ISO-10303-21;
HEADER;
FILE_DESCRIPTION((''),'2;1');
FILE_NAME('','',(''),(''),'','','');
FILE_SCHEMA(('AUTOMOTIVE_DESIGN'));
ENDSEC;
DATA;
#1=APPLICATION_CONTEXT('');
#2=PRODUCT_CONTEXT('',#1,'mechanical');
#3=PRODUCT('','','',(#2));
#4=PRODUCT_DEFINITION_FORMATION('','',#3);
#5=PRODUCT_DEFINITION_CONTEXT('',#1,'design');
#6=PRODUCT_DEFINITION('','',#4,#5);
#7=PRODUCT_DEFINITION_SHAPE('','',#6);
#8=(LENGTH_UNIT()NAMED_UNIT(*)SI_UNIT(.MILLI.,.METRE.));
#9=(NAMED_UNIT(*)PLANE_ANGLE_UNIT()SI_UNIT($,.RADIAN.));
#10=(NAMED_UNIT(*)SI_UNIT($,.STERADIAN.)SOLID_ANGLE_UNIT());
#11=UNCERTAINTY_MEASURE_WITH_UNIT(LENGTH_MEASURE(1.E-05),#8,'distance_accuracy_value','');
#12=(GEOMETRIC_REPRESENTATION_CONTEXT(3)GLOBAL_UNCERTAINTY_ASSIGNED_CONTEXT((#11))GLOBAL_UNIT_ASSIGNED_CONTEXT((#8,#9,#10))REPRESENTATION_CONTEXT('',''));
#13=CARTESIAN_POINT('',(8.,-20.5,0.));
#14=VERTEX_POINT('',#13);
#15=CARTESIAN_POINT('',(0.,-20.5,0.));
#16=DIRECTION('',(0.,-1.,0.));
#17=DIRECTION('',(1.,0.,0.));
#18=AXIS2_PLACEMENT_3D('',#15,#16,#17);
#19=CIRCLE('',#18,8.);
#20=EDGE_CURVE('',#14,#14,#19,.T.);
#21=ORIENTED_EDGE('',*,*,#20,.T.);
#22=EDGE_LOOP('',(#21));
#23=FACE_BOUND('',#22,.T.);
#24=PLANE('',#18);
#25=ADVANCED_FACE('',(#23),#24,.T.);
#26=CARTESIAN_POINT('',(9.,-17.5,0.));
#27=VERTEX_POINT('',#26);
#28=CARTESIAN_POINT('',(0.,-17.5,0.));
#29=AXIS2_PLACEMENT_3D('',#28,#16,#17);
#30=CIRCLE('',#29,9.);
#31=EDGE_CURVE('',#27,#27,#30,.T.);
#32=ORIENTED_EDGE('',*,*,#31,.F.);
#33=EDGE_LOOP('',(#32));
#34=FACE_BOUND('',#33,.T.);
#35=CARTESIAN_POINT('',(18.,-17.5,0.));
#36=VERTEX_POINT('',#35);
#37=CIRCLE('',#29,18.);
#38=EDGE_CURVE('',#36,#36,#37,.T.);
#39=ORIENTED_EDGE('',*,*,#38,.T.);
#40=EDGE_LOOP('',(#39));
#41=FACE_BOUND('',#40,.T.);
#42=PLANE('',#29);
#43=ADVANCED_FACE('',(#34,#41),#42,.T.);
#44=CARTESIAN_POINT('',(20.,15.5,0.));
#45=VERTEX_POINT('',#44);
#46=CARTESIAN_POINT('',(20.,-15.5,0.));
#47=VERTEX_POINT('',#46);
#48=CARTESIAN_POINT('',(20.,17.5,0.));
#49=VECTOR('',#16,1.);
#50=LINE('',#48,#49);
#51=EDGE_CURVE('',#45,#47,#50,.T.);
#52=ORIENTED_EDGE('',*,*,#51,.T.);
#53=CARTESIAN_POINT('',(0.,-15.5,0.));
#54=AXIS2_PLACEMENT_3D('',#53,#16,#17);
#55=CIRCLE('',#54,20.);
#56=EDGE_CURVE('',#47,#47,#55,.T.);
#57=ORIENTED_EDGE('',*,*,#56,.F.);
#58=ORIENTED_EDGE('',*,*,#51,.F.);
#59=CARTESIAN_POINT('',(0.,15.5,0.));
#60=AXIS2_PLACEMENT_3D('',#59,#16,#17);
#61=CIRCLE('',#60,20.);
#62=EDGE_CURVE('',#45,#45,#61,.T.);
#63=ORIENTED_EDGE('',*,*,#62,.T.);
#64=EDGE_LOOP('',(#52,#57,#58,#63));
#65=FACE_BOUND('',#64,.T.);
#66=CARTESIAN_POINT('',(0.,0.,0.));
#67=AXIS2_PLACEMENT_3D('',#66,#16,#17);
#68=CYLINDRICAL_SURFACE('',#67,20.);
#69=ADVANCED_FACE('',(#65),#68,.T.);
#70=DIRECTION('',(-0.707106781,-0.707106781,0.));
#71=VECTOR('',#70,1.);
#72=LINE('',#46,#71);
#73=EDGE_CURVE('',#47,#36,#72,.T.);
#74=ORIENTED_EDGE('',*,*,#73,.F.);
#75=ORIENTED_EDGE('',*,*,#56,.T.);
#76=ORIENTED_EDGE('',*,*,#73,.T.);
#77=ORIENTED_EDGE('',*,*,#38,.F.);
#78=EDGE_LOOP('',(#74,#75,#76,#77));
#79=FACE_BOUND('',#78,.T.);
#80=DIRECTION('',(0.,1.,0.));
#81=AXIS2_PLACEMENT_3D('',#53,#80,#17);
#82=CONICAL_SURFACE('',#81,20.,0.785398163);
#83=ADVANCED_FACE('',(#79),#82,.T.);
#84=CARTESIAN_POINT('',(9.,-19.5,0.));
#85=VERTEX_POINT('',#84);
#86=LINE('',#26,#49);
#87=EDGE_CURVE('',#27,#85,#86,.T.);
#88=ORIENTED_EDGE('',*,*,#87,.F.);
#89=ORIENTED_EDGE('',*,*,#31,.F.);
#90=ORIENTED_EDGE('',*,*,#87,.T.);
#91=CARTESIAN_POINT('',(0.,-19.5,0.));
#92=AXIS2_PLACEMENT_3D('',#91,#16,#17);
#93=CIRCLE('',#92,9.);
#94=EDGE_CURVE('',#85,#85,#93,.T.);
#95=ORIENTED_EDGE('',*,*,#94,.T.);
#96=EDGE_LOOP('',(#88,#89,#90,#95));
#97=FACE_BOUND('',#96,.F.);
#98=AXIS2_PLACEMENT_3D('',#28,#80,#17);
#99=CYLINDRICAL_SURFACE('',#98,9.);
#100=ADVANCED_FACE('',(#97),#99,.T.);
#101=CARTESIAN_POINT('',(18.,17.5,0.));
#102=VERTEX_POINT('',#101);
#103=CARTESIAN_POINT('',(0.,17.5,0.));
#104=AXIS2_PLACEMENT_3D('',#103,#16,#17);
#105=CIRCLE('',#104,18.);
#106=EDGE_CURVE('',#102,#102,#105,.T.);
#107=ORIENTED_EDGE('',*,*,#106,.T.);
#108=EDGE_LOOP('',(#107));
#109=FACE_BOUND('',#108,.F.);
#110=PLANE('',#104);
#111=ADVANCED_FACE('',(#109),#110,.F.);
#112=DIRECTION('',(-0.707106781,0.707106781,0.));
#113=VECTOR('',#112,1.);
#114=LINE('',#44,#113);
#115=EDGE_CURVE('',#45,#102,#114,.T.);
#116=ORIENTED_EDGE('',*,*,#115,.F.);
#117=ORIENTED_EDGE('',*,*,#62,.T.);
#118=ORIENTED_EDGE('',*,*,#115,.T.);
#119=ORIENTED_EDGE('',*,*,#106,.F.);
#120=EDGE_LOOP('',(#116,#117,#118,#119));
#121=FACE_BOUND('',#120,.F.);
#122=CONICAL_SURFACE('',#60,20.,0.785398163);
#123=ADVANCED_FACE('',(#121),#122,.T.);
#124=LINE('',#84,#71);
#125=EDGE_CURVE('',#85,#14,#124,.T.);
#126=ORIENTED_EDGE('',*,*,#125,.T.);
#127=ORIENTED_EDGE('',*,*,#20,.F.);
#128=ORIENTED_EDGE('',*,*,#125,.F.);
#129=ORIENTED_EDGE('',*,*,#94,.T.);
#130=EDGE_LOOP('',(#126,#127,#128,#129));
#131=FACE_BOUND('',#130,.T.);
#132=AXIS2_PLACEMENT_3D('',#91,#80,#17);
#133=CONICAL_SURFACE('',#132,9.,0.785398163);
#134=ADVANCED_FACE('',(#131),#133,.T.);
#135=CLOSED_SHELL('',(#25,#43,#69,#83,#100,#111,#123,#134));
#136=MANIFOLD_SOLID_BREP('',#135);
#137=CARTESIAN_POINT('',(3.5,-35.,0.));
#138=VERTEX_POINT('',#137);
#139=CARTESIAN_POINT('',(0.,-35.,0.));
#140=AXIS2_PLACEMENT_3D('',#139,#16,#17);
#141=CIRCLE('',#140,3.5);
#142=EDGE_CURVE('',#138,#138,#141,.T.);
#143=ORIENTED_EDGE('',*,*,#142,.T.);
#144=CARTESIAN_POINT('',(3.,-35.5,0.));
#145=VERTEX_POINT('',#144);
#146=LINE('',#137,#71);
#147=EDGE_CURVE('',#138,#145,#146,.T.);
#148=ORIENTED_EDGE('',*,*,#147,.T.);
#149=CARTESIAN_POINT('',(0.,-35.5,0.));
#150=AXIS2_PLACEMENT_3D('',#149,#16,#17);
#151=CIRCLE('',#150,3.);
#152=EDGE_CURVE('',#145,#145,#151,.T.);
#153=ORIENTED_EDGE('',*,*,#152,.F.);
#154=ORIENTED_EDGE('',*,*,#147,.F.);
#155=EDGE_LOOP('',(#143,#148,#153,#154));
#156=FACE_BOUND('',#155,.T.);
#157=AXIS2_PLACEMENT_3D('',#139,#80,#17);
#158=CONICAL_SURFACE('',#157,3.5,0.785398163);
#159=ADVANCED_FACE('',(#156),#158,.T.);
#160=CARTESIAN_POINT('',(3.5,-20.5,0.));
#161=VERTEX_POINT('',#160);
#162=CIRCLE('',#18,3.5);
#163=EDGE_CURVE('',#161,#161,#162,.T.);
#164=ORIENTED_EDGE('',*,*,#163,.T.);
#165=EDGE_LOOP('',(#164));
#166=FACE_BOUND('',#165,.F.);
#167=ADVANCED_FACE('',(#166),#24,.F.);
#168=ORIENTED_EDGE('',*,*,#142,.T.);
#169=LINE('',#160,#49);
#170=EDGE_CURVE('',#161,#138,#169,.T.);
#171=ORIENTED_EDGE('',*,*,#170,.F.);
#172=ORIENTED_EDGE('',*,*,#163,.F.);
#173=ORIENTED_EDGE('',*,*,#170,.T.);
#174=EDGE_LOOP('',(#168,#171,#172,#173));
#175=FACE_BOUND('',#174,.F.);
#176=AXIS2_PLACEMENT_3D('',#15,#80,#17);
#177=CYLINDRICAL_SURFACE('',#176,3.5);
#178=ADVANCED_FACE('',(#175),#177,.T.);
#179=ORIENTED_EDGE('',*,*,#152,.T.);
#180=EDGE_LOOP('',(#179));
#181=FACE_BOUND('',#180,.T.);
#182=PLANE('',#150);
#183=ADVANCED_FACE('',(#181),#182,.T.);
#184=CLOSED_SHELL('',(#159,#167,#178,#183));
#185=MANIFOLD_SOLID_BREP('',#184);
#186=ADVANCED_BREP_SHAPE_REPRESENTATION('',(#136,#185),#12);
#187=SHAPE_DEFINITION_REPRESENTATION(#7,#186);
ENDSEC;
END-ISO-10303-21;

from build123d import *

# Parameters (mm, degrees)
F0_R     = 20
F1_DEPTH = 17.5
F2_SIZE  = 2
F3_R     = 9
F4_DEPTH = 3
F5_R     = 3.5
F6_DEPTH = 15
F7_SIZE  = 0.5
F8_SIZE  = 1


with BuildPart() as f1:
    # F0 (on Front) → F1 (new body, symmetric)
    with BuildSketch(Plane.XZ):
        Circle(F0_R)
    extrude(amount=F1_DEPTH, both=True)

    # F2
    f2_edges = [f1.edges().sort_by_distance(p)[0] for p in [
        (-20, 17.5, 0),
        (-20, -17.5, 0),
    ]]
    chamfer(f2_edges, length=F2_SIZE)

    # F3 (on face) → F4 (join)
    with BuildSketch(Plane.XZ.offset(17.5)):
        Circle(F3_R)
    extrude(amount=F4_DEPTH)

    # F8
    f8_edges = [f1.edges().sort_by_distance(p)[0] for p in [
        (-9, -20.5, 0),
    ]]
    chamfer(f8_edges, length=F8_SIZE)


with BuildPart() as f6:
    # F5 (on face) → F6 (new body)
    with BuildSketch(Plane.XZ.offset(20.5)):
        Circle(F5_R)
    extrude(amount=F6_DEPTH)

    # F7
    f7_edges = [f6.edges().sort_by_distance(p)[0] for p in [
        (-3.5, -35.5, 0),
    ]]
    chamfer(f7_edges, length=F7_SIZE)


solid = Compound([f1.part, f6.part])
